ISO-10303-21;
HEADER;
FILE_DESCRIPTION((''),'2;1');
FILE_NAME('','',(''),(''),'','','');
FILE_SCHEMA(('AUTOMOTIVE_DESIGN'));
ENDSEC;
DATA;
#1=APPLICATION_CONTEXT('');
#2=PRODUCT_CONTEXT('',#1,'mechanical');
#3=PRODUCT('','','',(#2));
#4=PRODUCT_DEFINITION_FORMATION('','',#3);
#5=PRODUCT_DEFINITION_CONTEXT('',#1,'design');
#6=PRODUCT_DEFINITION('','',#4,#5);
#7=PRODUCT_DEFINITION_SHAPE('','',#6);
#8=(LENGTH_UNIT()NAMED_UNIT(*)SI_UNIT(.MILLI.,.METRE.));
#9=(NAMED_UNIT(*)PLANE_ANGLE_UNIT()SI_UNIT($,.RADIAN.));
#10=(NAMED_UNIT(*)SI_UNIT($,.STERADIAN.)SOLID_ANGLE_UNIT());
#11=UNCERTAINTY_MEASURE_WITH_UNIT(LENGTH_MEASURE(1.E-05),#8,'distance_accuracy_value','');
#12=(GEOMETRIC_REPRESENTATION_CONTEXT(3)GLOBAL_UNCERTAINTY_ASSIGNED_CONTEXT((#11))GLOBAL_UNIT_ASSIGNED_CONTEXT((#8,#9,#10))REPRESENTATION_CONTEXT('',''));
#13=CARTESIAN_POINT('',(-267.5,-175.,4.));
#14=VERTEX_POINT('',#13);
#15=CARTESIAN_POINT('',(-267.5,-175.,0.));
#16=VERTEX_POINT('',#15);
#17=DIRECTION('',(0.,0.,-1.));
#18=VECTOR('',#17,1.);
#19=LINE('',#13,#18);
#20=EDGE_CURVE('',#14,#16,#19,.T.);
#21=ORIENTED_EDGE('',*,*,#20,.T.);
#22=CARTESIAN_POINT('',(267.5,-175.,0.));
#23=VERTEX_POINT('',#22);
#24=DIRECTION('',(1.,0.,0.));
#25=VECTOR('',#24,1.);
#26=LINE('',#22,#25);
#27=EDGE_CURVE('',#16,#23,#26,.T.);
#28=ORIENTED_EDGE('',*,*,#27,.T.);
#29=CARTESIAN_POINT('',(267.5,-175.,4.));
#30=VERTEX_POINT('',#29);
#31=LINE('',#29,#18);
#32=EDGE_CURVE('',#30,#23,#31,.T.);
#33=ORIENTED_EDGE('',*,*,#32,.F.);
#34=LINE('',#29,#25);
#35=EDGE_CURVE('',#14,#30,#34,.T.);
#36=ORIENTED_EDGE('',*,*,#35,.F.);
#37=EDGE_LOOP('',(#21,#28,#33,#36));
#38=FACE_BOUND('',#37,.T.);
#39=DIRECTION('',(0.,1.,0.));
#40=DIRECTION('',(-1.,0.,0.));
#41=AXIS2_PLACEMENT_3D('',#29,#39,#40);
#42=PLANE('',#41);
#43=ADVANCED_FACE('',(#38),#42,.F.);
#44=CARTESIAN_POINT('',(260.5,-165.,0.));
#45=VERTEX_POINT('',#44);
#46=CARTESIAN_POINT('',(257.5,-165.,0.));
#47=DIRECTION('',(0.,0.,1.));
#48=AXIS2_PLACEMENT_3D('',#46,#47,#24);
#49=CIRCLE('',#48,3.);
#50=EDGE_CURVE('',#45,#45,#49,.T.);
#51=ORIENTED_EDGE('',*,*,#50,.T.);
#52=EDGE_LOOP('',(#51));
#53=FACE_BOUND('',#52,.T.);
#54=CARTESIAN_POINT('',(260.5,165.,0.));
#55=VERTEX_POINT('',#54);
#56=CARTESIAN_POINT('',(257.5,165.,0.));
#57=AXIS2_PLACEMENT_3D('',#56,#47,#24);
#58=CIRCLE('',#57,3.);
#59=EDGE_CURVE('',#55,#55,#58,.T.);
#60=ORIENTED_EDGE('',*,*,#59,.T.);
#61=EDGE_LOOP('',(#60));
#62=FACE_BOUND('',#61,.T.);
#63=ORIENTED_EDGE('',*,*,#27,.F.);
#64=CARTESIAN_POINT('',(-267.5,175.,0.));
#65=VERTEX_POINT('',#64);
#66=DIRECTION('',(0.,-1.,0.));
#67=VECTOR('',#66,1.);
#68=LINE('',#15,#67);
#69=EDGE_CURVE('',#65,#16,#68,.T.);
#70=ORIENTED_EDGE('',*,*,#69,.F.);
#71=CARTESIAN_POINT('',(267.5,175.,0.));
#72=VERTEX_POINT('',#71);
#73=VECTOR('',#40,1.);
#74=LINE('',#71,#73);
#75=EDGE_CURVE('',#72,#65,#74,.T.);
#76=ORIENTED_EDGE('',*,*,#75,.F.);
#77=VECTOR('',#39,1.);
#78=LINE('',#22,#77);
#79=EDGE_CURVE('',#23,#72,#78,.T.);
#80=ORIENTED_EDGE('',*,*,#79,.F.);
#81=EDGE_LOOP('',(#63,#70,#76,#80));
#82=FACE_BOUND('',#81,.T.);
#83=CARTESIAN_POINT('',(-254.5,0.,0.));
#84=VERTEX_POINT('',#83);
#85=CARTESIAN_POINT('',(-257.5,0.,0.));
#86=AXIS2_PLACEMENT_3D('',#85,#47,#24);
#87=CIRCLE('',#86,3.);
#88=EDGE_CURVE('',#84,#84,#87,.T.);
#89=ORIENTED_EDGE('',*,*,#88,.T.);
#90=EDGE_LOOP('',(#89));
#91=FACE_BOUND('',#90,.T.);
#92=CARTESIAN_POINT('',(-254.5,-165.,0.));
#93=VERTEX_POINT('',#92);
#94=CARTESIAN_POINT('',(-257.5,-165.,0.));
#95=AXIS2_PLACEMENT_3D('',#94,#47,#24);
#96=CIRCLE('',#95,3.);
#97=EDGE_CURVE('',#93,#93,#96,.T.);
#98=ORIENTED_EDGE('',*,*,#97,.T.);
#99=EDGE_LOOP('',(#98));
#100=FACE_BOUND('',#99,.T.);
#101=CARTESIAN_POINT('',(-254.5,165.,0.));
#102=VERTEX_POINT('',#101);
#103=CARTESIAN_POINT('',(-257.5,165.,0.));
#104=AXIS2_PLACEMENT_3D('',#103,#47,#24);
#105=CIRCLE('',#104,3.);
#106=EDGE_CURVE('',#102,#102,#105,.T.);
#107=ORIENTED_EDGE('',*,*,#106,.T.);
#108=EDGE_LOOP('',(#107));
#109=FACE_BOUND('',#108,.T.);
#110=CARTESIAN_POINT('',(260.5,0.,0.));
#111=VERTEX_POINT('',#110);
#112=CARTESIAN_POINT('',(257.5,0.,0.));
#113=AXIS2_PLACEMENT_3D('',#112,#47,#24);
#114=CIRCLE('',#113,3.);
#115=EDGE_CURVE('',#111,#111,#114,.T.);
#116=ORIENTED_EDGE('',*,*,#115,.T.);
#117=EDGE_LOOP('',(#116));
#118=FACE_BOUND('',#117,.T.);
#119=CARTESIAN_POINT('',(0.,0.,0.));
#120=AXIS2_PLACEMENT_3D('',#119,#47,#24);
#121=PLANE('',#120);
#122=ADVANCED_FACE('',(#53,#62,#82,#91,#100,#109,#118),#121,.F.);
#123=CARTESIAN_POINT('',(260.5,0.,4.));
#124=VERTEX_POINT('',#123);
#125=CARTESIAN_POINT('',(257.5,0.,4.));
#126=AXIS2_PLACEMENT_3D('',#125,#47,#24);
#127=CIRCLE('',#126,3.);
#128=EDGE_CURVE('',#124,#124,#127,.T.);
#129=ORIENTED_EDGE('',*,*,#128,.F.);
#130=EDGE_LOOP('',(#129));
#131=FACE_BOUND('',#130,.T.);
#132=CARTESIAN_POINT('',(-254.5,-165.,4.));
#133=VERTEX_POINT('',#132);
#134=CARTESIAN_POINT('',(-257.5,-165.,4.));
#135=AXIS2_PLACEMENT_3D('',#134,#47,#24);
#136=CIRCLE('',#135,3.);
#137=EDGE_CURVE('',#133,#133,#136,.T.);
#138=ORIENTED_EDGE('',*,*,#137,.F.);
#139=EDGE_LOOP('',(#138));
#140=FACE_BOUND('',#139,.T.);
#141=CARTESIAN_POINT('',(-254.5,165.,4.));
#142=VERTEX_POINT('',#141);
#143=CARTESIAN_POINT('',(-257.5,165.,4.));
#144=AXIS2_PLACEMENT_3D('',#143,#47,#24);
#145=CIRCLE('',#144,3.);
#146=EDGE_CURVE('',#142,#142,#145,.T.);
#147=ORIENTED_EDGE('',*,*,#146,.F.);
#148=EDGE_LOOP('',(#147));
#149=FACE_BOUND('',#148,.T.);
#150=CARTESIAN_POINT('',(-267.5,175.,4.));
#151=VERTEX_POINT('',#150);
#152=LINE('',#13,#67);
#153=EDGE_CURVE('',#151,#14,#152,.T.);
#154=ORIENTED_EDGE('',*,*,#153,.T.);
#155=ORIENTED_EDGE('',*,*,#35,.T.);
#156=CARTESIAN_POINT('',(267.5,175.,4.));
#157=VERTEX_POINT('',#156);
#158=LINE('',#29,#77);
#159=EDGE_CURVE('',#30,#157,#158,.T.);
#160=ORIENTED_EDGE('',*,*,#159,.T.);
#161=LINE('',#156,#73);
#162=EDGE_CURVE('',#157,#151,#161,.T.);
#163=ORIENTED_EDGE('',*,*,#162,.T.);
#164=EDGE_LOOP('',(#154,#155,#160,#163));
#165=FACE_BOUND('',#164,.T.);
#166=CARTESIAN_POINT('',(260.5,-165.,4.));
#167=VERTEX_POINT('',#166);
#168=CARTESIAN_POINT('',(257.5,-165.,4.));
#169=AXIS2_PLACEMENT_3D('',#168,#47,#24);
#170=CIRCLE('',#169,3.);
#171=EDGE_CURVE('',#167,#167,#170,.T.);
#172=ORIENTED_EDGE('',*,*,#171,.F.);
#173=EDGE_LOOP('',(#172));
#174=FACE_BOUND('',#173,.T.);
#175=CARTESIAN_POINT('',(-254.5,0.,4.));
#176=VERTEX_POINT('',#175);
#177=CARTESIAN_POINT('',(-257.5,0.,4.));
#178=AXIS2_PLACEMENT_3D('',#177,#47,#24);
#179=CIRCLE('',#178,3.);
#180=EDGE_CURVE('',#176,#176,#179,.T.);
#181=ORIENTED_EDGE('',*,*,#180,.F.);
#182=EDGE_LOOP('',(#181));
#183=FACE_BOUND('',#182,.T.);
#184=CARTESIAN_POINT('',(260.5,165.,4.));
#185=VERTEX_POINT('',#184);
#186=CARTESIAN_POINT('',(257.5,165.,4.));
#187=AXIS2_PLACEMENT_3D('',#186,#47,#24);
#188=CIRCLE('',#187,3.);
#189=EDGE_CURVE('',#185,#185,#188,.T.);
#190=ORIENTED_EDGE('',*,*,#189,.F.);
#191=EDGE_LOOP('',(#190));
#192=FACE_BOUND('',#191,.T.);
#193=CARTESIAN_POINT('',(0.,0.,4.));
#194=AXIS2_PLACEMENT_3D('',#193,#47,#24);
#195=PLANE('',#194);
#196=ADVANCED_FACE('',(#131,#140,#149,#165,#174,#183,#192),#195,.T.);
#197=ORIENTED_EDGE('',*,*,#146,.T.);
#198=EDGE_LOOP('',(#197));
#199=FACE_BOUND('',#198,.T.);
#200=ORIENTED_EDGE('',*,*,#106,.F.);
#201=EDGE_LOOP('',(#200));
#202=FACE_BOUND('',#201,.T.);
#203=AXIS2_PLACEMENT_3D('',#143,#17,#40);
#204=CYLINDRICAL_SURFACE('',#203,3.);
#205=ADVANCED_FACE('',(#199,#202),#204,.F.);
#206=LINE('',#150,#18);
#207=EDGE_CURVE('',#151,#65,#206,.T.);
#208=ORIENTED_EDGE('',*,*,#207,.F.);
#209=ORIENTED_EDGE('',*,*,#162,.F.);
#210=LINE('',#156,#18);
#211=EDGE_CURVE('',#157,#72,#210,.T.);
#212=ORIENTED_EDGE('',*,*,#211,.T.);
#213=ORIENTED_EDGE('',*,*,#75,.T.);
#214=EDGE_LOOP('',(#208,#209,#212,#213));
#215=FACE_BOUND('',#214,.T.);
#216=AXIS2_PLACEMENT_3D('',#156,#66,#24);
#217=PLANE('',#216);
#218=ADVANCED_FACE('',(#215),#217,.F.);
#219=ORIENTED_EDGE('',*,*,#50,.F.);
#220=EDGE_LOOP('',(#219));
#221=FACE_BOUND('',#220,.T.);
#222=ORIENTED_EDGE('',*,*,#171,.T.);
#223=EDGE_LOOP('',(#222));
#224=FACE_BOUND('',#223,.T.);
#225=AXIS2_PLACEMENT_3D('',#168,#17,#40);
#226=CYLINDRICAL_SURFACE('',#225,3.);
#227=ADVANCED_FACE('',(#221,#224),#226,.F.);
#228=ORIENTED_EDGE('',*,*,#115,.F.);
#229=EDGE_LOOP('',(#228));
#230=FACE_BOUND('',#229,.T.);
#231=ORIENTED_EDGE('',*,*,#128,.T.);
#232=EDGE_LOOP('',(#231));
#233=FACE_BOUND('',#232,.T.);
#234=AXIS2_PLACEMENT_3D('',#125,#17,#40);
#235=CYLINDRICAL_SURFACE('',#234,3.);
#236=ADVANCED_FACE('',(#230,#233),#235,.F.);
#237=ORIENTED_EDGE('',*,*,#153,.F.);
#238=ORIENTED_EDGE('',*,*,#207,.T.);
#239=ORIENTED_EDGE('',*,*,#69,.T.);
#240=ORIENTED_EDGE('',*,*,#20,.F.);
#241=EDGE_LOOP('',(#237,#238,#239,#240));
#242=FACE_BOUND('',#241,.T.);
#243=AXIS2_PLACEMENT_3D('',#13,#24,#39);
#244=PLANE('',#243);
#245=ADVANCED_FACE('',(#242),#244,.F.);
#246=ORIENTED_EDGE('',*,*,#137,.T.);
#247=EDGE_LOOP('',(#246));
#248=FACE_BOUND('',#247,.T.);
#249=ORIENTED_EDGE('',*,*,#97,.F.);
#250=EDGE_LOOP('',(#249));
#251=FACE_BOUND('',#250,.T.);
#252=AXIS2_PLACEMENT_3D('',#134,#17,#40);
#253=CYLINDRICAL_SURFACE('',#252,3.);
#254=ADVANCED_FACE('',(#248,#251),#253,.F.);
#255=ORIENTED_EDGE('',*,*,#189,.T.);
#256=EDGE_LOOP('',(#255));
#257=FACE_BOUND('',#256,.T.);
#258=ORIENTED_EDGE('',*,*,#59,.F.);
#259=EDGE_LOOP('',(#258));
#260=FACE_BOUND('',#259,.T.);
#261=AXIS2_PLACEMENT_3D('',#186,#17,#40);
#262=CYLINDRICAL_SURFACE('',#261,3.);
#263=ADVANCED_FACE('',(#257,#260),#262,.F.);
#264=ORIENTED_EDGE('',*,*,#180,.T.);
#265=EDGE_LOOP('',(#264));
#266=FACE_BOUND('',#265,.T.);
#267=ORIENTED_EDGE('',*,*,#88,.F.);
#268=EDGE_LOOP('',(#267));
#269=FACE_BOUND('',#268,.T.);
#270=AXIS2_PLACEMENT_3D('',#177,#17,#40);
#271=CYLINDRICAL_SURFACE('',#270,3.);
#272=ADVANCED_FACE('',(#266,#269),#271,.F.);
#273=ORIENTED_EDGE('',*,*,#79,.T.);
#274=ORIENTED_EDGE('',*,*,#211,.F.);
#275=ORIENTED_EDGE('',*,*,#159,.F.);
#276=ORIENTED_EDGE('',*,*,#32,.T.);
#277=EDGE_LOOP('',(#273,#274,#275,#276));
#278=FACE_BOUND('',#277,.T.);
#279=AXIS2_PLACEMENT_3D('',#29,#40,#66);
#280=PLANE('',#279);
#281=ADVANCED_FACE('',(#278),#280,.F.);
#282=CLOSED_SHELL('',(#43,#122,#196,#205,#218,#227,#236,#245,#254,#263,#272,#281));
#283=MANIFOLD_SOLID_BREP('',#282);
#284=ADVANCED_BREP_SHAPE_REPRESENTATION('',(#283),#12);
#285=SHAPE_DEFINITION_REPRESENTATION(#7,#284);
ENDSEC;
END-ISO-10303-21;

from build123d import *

# Parameters (mm, degrees)
SKICA1_W                = 535
SKICA1_H                = 350
SKICA1_R                = 3
P_IDAT_VYSUNUT_M1_DEPTH = 4


with BuildPart() as part:
    # Skica1 → Přidat vysunutím1 (new body)
    with BuildSketch(Plane.XY):
        Rectangle(SKICA1_W, SKICA1_H)
        with Locations((-257.5, 165)):
            Circle(SKICA1_R, mode=Mode.SUBTRACT)
        with Locations((-257.5, 0)):
            Circle(SKICA1_R, mode=Mode.SUBTRACT)
        with Locations((-257.5, -165)):
            Circle(SKICA1_R, mode=Mode.SUBTRACT)
        with Locations((257.5, 165)):
            Circle(SKICA1_R, mode=Mode.SUBTRACT)
        with Locations((257.5, 0)):
            Circle(SKICA1_R, mode=Mode.SUBTRACT)
        with Locations((257.5, -165)):
            Circle(SKICA1_R, mode=Mode.SUBTRACT)
    extrude(amount=P_IDAT_VYSUNUT_M1_DEPTH)


solid = part.part
